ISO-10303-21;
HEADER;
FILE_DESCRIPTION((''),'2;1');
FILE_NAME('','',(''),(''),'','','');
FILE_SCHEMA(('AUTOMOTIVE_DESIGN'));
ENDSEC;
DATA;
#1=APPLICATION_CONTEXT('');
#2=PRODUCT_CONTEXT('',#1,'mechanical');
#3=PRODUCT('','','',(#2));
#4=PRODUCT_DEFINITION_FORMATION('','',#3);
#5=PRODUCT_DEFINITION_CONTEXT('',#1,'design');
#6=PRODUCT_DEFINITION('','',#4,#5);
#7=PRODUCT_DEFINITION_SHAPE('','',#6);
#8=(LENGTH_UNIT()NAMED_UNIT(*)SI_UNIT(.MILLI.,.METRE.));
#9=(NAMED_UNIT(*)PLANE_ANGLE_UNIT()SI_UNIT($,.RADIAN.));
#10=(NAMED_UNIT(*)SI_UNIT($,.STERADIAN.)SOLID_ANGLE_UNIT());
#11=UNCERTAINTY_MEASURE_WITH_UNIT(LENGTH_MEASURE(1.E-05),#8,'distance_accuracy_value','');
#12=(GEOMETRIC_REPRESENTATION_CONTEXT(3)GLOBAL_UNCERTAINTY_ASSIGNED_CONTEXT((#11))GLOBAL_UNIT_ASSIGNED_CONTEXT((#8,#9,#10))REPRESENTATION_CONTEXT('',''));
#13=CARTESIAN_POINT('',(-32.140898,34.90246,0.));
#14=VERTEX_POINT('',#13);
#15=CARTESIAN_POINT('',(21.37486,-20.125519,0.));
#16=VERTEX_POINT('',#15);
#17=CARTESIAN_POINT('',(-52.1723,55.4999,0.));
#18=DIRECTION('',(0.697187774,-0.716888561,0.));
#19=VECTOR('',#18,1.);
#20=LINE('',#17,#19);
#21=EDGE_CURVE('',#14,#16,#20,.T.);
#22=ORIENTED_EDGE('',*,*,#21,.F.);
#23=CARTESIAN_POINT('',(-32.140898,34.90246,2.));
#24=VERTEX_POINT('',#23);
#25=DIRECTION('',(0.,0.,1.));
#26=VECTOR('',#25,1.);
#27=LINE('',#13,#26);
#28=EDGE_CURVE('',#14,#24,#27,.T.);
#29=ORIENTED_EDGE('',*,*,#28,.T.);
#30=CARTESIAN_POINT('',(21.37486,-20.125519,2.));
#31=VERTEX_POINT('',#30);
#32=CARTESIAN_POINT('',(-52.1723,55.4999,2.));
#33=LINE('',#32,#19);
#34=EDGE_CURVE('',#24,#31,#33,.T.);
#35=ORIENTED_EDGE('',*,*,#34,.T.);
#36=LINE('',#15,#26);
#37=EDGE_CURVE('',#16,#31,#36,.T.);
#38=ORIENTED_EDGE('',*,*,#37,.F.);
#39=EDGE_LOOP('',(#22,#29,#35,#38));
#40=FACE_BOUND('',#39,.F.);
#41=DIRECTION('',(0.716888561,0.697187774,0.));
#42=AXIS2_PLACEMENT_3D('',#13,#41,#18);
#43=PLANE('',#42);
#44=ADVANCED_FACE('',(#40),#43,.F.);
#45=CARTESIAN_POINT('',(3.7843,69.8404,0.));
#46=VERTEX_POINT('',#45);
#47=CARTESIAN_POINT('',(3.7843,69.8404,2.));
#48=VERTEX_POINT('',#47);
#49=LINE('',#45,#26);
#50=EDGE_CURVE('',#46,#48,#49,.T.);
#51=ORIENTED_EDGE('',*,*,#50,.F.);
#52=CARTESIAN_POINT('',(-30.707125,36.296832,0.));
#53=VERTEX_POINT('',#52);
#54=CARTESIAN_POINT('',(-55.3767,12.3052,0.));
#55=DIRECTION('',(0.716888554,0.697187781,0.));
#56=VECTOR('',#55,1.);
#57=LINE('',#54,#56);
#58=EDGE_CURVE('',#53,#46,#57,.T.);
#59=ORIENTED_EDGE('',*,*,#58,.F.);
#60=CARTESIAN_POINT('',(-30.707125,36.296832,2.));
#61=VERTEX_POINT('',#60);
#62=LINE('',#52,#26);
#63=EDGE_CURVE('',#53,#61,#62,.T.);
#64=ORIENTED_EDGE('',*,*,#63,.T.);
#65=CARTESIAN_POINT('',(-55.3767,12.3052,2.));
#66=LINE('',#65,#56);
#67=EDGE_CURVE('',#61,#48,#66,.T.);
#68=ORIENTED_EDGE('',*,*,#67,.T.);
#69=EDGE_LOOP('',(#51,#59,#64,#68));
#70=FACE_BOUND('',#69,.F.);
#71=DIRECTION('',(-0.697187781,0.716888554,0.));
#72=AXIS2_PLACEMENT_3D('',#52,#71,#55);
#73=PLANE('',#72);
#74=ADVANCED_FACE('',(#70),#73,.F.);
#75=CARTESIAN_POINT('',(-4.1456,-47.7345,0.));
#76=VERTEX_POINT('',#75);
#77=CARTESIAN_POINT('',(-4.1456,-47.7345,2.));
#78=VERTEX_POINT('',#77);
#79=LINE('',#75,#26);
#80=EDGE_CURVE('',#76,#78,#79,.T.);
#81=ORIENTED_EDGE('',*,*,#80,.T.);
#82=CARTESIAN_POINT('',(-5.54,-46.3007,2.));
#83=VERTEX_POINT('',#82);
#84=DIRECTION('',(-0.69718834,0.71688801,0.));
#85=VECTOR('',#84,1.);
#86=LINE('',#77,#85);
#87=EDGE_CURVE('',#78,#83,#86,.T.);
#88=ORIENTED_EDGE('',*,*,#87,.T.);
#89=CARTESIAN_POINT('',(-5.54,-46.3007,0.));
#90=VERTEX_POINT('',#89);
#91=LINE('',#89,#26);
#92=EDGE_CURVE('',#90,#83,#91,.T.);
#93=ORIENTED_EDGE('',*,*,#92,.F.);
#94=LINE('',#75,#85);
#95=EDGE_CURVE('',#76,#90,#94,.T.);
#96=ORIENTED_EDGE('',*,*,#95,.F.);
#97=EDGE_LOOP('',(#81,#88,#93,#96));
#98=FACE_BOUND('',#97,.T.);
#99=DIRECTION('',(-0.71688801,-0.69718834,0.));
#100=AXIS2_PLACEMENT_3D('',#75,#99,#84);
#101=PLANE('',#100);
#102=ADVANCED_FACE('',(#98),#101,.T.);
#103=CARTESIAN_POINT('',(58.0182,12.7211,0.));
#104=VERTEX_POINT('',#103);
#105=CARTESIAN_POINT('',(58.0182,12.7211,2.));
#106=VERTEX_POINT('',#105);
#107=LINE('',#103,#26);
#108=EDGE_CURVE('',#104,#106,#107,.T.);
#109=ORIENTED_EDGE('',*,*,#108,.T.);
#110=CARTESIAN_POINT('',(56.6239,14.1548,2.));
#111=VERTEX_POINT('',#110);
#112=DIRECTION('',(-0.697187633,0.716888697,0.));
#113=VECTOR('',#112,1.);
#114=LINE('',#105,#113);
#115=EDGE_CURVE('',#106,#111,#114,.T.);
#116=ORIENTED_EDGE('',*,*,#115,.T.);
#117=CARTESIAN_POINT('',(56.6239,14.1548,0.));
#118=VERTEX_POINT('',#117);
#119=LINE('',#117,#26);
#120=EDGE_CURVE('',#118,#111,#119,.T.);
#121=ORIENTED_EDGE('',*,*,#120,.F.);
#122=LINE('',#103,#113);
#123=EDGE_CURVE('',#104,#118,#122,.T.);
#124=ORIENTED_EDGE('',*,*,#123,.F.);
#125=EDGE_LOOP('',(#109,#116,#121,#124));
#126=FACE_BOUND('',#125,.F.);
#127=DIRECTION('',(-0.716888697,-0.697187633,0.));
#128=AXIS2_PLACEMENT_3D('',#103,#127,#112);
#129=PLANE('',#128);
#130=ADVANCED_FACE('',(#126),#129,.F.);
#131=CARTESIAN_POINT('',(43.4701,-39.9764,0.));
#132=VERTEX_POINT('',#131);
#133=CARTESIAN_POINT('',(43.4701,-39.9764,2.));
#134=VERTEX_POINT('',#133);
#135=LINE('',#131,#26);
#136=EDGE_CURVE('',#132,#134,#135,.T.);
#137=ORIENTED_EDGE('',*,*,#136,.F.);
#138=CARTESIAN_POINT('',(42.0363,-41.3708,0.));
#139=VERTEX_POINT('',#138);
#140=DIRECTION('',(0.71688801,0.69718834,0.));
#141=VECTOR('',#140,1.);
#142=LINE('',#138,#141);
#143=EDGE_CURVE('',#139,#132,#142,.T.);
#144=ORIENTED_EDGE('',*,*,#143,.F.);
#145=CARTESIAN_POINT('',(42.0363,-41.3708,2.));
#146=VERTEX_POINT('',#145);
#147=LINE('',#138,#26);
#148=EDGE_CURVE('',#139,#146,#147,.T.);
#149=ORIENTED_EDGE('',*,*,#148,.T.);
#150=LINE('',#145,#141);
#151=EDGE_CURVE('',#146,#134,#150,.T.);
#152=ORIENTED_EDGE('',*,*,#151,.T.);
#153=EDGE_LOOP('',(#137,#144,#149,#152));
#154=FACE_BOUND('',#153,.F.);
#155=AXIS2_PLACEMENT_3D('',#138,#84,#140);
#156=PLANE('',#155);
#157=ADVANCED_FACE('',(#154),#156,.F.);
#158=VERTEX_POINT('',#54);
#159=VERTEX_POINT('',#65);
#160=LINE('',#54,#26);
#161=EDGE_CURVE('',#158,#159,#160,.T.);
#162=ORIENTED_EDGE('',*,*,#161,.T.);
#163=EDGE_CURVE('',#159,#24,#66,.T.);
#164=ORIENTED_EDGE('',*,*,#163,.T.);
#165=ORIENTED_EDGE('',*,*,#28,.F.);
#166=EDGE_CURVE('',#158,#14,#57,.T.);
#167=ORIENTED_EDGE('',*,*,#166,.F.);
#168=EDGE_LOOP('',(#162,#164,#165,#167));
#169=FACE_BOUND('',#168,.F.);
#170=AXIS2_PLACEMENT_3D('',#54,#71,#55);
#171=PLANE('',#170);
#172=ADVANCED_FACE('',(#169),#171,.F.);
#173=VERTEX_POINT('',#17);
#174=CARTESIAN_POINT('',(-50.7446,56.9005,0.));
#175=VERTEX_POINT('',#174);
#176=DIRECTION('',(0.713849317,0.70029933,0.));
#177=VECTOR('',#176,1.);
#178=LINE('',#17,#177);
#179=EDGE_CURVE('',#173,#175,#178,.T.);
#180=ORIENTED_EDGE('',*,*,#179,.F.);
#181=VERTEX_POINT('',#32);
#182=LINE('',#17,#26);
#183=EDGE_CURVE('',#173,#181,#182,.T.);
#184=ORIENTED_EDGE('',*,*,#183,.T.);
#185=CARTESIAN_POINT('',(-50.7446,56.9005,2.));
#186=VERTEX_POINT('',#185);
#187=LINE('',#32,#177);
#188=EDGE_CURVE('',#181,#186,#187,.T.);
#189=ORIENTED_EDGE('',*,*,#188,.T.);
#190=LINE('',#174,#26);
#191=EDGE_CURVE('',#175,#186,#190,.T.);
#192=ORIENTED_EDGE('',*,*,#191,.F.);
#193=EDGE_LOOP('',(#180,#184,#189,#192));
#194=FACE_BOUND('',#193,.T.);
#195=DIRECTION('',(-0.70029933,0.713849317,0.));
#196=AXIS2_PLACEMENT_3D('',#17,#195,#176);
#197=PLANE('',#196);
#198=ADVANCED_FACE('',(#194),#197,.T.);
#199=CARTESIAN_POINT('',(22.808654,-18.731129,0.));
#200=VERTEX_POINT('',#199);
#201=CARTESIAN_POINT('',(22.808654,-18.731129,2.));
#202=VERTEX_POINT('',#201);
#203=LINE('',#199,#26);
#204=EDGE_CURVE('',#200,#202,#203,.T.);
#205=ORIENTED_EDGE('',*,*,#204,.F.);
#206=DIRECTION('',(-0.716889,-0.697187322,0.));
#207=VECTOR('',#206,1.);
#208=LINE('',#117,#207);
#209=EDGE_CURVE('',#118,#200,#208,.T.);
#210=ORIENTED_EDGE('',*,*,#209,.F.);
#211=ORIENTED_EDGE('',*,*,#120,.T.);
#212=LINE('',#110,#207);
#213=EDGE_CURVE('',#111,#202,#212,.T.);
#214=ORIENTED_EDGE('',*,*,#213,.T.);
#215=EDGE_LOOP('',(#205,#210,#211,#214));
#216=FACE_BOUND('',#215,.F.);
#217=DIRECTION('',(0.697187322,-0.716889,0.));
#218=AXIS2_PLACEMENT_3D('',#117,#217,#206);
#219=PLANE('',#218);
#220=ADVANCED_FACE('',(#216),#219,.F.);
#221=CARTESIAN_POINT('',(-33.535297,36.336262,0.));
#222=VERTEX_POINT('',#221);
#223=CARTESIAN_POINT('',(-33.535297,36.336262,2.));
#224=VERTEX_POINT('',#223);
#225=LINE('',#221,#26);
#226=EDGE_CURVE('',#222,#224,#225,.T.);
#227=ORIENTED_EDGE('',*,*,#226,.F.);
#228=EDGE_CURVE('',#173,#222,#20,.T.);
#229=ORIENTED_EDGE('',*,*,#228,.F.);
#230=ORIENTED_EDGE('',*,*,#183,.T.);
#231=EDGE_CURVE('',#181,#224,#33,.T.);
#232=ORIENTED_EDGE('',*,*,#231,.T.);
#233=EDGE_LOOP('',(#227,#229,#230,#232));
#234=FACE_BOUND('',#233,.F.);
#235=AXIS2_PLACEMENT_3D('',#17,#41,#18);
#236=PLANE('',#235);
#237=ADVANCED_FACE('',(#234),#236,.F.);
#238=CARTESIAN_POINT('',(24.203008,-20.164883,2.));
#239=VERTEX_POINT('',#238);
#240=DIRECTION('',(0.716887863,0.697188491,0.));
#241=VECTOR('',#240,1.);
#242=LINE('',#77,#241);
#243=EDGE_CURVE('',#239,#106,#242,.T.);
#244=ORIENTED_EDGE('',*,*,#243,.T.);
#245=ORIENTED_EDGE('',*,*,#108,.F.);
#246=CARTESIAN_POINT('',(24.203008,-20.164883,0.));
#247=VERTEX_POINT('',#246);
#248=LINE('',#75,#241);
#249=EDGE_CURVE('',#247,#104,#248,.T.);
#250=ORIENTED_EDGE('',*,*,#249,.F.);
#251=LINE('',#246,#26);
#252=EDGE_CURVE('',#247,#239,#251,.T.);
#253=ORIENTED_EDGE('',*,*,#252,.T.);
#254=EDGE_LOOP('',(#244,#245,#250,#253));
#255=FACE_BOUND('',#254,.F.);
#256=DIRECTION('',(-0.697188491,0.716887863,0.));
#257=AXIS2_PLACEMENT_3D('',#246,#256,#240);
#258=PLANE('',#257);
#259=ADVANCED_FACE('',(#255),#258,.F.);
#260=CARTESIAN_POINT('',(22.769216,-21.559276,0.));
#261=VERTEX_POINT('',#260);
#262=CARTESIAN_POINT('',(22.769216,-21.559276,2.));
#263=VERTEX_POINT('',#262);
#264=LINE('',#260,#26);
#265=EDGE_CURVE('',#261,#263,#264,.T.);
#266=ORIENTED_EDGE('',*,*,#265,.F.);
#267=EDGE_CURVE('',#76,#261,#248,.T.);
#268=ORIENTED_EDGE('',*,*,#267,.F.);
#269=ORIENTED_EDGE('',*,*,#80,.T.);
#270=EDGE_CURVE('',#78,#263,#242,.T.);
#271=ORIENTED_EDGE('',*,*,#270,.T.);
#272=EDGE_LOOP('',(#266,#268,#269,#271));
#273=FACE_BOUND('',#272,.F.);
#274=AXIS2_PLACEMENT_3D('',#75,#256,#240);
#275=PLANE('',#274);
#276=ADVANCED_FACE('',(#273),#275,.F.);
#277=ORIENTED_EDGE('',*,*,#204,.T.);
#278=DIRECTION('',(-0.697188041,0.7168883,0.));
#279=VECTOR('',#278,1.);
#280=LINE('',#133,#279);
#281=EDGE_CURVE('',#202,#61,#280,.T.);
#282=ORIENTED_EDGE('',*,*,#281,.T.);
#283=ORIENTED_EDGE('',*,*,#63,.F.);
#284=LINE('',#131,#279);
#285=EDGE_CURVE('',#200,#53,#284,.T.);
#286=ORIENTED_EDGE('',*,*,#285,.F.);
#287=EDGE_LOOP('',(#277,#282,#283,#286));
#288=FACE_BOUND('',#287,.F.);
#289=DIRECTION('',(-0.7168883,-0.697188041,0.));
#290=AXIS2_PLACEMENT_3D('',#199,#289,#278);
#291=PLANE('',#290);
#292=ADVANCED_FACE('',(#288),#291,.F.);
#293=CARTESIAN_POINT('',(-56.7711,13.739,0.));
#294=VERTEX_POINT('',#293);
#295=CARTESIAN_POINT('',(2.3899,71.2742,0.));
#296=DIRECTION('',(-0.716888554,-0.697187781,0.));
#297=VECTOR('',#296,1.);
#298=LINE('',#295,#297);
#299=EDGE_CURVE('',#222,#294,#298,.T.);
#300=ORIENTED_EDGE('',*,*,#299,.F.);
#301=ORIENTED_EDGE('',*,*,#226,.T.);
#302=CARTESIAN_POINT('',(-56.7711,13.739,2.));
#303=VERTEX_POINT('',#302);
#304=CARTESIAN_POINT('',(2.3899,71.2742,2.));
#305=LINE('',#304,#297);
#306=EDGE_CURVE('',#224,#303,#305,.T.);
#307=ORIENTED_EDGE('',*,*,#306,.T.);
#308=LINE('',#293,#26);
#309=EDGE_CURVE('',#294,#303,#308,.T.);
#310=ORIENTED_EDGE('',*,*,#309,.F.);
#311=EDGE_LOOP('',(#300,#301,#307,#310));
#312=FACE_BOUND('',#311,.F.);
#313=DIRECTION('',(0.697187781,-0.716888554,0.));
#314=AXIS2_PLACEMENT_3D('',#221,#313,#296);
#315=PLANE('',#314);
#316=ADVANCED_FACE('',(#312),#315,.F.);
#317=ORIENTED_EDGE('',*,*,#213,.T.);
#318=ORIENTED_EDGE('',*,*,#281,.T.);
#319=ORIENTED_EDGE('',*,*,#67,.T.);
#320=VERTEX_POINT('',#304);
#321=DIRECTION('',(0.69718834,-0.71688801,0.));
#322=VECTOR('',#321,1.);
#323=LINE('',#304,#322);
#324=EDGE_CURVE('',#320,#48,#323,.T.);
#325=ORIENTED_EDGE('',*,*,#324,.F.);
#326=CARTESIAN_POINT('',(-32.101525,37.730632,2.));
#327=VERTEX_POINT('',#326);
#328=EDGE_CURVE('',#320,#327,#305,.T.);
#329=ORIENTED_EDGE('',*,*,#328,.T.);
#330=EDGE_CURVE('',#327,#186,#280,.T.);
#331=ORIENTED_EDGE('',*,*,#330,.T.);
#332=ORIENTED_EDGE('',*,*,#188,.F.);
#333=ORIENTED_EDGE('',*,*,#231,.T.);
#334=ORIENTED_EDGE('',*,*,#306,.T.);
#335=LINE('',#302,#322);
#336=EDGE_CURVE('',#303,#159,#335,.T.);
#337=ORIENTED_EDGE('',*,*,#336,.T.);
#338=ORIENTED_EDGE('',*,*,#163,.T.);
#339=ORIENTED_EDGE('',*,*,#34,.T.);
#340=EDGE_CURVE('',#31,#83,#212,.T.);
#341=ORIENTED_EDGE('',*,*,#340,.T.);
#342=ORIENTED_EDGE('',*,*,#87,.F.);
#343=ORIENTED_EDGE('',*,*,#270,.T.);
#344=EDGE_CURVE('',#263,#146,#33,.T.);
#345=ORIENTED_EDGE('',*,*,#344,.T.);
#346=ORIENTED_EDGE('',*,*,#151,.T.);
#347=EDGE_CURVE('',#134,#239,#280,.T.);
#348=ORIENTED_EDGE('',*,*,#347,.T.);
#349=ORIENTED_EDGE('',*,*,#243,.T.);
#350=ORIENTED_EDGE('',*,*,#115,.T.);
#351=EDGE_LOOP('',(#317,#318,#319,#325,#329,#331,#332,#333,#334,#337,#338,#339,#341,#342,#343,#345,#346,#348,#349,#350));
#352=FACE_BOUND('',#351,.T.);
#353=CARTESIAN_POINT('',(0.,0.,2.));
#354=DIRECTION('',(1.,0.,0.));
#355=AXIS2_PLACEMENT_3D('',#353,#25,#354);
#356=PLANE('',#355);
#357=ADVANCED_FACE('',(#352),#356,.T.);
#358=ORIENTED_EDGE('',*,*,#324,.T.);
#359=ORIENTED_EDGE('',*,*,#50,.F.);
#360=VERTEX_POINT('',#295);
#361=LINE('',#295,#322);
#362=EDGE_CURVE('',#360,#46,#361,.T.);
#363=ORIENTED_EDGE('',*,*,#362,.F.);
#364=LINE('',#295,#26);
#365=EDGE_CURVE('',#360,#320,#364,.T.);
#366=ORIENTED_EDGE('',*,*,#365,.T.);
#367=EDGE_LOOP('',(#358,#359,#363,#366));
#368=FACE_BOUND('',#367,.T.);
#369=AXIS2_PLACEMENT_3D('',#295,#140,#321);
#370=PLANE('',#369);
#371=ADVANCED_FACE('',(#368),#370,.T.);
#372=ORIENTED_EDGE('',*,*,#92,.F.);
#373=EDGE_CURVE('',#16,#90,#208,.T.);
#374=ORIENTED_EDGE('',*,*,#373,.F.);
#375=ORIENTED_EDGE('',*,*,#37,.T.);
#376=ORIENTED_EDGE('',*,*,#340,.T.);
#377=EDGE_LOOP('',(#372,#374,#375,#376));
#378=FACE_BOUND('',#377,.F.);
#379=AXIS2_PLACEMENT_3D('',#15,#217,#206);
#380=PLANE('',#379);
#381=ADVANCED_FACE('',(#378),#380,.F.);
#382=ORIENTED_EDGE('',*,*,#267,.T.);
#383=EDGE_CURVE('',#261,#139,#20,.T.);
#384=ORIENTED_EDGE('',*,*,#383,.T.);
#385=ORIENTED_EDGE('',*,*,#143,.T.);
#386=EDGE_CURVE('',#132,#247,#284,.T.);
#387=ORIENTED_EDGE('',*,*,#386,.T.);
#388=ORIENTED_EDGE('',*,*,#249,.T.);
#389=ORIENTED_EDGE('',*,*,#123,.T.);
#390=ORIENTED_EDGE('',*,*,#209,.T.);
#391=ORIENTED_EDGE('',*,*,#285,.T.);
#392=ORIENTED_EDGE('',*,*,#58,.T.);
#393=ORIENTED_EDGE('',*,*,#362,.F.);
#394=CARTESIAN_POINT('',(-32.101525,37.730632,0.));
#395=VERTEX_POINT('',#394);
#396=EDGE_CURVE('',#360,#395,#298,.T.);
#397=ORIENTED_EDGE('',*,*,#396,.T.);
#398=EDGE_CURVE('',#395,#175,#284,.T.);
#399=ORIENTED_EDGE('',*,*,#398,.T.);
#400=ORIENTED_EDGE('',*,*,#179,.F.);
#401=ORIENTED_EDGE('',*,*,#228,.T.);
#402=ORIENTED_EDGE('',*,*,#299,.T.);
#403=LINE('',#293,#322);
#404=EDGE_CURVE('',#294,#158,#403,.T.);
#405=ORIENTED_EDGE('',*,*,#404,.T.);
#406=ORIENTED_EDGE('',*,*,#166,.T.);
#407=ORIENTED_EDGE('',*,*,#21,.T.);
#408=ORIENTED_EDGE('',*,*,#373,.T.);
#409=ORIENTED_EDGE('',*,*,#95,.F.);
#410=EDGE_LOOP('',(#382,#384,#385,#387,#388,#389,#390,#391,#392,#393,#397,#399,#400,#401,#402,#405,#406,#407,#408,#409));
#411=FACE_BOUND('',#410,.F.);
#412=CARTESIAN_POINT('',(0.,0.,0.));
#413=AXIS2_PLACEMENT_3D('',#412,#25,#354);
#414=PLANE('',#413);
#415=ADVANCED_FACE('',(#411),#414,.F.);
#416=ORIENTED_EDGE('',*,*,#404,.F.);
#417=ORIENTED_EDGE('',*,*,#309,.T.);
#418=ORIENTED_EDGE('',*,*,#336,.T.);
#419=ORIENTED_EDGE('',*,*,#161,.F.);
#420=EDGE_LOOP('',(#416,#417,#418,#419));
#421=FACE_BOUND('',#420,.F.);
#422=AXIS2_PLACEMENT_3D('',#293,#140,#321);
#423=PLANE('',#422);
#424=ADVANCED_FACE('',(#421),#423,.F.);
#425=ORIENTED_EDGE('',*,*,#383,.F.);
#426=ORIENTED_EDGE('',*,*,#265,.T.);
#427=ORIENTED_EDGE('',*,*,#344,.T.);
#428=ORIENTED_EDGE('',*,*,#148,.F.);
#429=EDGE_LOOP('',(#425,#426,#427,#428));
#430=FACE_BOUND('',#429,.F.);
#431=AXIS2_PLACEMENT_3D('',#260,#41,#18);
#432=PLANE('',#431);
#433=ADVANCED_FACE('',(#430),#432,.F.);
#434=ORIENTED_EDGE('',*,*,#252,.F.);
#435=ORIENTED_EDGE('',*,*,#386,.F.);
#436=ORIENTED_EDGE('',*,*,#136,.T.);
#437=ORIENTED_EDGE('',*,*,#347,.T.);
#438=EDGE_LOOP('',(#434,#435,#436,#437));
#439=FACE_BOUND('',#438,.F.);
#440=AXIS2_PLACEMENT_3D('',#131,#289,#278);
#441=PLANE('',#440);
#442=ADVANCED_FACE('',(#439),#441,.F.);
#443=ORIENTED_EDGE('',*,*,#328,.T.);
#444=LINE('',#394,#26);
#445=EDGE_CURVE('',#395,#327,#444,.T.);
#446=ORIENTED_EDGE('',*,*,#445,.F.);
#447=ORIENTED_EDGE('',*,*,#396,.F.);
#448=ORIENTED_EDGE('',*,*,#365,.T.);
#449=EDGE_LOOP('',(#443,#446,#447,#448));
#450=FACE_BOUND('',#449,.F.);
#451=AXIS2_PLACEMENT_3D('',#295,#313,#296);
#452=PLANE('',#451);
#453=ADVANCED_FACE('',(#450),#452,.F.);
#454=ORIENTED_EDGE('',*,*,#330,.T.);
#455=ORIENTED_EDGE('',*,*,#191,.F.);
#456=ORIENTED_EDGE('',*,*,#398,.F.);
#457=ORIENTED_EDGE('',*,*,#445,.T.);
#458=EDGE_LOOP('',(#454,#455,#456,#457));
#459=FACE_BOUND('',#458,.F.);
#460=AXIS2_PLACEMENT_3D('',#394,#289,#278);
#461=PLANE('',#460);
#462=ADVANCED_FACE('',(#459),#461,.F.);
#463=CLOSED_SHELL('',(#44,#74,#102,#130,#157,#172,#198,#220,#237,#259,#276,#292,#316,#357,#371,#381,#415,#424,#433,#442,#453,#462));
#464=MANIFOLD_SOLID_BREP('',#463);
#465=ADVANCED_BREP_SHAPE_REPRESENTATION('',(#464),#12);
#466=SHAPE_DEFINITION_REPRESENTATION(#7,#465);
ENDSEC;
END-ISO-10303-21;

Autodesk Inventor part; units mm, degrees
ref_plane "YZ Plane" through (0, 0, 0) normal (1, 0, 0) x (0, 1, 0)
ref_plane "XZ Plane" through (0, 0, 0) normal (0, 1, 0) x (-1, 0, 0)
ref_plane "XY Plane" through (0, 0, 0) normal (0, 0, 1) x (1, 0, 0)
sketch "Sketch1" plane through (0, 0, 0) normal (0, 0, 1) x (1, 0, 0)
  arc A0 (5.5811, -56.8606) -> (20.209, -64.6836) centre (38.8796, -12.1848) ccw construction
  arc A1 (-7.6539, -43.4667) -> (5.5811, -56.8606) centre (37.8873, -11.7018) ccw construction
  arc A2 (-7.6539, -43.4667) -> (-31.2183, -12.0793) centre (-386.265, -303.1724) ccw construction
  arc A3 (-31.2183, -12.0793) -> (-63.3277, 19.0744) centre (-191.6112, -145.2692) ccw construction
  arc A4 (-67.5206, 26.3221) -> (-63.3277, 19.0744) centre (-54.6162, 28.9507) ccw construction
  arc A5 (-66.9469, 41.0059) -> (-67.5206, 26.3221) centre (-15.6776, 31.6496) ccw construction
  line L0 (-66.9469, 41.0059) -> (-26.0985, 81.0785) construction
  arc A6 (-3.6955, 79.7027) -> (-26.0985, 81.0785) centre (-17.6076, 36.2535) ccw construction
  arc A7 (1.4491, 74.6716) -> (-3.6955, 79.7027) centre (-6.1453, 72.0517) ccw construction
  arc A8 (2.6831, 69.1533) -> (1.4491, 74.6716) centre (-18.5892, 67.2935) ccw construction
  arc A9 (2.6831, 69.1533) -> (3.1898, 63.5624) centre (229.5421, 86.8959) ccw construction
  arc A10 (3.1898, 63.5624) -> (8.7161, 49.818) centre (30.4167, 66.5265) ccw construction
  arc A11 (8.7161, 49.818) -> (19.0471, 39.3259) centre (47.1297, 77.3097) ccw construction
  arc A12 (19.0471, 39.3259) -> (32.6891, 29.8296) centre (104.4845, 147.5139) ccw construction
  arc A13 (32.6891, 29.8296) -> (50.5655, 19.6706) centre (502.3948, 835.5524) ccw construction
  arc A14 (57.8671, 12.5741) -> (50.5655, 19.6706) centre (33.0101, -5.6965) ccw construction
  arc A15 (67.0572, -4.125) -> (57.8671, 12.5741) centre (18.4686, -19.9867) ccw construction
  arc A16 (68.9532, -23.0115) -> (67.0572, -4.125) centre (24.8632, -17.8992) ccw construction
  line L1 (-52.1723, 55.4999) -> (42.0363, -41.3708)
  line L2 (43.4701, -39.9764) -> (-50.7446, 56.9005)
  line L3 (42.0363, -41.3708) -> (43.4701, -39.9764)
  line L4 (-4.1456, -47.7345) -> (58.0182, 12.7211)
  line L5 (56.6239, 14.1548) -> (-5.54, -46.3007)
  line L6 (-55.3767, 12.3052) -> (3.7843, 69.8404)
  line L7 (2.3899, 71.2742) -> (-56.7711, 13.739)
  line L8 (-56.7711, 13.739) -> (-55.3767, 12.3052)
  line L9 (2.3899, 71.2742) -> (3.7843, 69.8404)
  line L10 (-52.1723, 55.4999) -> (-50.7446, 56.9005)
  line L11 (-4.1456, -47.7345) -> (-5.54, -46.3007)
  line L12 (58.0182, 12.7211) -> (56.6239, 14.1548)
  point P0 (0, 0)
  point P1 (-8.2693, 4.2237)
  point P2 (-4.9861, 4.7501)
  point P3 (-66.0155, 22.3561)
  point P4 (24.203, -20.1649)
  point P5 (22.8086, -18.7311)
  point P6 (-30.7071, 36.2969)
  point P7 (-32.1015, 37.7306)
  point P8 (-33.5353, 36.3363)
  point P9 (-32.1409, 34.9025)
  point P10 (21.3749, -20.1255)
  point P11 (22.7692, -21.5593)
  dimension "d243" = 2
  dimension "d244" = 2
  dimension "d245" = 2
extrude "Extrusion12" add sketch "Sketch1" along normal blind 2
properties part number "print008_Grundform_innen_neu"
